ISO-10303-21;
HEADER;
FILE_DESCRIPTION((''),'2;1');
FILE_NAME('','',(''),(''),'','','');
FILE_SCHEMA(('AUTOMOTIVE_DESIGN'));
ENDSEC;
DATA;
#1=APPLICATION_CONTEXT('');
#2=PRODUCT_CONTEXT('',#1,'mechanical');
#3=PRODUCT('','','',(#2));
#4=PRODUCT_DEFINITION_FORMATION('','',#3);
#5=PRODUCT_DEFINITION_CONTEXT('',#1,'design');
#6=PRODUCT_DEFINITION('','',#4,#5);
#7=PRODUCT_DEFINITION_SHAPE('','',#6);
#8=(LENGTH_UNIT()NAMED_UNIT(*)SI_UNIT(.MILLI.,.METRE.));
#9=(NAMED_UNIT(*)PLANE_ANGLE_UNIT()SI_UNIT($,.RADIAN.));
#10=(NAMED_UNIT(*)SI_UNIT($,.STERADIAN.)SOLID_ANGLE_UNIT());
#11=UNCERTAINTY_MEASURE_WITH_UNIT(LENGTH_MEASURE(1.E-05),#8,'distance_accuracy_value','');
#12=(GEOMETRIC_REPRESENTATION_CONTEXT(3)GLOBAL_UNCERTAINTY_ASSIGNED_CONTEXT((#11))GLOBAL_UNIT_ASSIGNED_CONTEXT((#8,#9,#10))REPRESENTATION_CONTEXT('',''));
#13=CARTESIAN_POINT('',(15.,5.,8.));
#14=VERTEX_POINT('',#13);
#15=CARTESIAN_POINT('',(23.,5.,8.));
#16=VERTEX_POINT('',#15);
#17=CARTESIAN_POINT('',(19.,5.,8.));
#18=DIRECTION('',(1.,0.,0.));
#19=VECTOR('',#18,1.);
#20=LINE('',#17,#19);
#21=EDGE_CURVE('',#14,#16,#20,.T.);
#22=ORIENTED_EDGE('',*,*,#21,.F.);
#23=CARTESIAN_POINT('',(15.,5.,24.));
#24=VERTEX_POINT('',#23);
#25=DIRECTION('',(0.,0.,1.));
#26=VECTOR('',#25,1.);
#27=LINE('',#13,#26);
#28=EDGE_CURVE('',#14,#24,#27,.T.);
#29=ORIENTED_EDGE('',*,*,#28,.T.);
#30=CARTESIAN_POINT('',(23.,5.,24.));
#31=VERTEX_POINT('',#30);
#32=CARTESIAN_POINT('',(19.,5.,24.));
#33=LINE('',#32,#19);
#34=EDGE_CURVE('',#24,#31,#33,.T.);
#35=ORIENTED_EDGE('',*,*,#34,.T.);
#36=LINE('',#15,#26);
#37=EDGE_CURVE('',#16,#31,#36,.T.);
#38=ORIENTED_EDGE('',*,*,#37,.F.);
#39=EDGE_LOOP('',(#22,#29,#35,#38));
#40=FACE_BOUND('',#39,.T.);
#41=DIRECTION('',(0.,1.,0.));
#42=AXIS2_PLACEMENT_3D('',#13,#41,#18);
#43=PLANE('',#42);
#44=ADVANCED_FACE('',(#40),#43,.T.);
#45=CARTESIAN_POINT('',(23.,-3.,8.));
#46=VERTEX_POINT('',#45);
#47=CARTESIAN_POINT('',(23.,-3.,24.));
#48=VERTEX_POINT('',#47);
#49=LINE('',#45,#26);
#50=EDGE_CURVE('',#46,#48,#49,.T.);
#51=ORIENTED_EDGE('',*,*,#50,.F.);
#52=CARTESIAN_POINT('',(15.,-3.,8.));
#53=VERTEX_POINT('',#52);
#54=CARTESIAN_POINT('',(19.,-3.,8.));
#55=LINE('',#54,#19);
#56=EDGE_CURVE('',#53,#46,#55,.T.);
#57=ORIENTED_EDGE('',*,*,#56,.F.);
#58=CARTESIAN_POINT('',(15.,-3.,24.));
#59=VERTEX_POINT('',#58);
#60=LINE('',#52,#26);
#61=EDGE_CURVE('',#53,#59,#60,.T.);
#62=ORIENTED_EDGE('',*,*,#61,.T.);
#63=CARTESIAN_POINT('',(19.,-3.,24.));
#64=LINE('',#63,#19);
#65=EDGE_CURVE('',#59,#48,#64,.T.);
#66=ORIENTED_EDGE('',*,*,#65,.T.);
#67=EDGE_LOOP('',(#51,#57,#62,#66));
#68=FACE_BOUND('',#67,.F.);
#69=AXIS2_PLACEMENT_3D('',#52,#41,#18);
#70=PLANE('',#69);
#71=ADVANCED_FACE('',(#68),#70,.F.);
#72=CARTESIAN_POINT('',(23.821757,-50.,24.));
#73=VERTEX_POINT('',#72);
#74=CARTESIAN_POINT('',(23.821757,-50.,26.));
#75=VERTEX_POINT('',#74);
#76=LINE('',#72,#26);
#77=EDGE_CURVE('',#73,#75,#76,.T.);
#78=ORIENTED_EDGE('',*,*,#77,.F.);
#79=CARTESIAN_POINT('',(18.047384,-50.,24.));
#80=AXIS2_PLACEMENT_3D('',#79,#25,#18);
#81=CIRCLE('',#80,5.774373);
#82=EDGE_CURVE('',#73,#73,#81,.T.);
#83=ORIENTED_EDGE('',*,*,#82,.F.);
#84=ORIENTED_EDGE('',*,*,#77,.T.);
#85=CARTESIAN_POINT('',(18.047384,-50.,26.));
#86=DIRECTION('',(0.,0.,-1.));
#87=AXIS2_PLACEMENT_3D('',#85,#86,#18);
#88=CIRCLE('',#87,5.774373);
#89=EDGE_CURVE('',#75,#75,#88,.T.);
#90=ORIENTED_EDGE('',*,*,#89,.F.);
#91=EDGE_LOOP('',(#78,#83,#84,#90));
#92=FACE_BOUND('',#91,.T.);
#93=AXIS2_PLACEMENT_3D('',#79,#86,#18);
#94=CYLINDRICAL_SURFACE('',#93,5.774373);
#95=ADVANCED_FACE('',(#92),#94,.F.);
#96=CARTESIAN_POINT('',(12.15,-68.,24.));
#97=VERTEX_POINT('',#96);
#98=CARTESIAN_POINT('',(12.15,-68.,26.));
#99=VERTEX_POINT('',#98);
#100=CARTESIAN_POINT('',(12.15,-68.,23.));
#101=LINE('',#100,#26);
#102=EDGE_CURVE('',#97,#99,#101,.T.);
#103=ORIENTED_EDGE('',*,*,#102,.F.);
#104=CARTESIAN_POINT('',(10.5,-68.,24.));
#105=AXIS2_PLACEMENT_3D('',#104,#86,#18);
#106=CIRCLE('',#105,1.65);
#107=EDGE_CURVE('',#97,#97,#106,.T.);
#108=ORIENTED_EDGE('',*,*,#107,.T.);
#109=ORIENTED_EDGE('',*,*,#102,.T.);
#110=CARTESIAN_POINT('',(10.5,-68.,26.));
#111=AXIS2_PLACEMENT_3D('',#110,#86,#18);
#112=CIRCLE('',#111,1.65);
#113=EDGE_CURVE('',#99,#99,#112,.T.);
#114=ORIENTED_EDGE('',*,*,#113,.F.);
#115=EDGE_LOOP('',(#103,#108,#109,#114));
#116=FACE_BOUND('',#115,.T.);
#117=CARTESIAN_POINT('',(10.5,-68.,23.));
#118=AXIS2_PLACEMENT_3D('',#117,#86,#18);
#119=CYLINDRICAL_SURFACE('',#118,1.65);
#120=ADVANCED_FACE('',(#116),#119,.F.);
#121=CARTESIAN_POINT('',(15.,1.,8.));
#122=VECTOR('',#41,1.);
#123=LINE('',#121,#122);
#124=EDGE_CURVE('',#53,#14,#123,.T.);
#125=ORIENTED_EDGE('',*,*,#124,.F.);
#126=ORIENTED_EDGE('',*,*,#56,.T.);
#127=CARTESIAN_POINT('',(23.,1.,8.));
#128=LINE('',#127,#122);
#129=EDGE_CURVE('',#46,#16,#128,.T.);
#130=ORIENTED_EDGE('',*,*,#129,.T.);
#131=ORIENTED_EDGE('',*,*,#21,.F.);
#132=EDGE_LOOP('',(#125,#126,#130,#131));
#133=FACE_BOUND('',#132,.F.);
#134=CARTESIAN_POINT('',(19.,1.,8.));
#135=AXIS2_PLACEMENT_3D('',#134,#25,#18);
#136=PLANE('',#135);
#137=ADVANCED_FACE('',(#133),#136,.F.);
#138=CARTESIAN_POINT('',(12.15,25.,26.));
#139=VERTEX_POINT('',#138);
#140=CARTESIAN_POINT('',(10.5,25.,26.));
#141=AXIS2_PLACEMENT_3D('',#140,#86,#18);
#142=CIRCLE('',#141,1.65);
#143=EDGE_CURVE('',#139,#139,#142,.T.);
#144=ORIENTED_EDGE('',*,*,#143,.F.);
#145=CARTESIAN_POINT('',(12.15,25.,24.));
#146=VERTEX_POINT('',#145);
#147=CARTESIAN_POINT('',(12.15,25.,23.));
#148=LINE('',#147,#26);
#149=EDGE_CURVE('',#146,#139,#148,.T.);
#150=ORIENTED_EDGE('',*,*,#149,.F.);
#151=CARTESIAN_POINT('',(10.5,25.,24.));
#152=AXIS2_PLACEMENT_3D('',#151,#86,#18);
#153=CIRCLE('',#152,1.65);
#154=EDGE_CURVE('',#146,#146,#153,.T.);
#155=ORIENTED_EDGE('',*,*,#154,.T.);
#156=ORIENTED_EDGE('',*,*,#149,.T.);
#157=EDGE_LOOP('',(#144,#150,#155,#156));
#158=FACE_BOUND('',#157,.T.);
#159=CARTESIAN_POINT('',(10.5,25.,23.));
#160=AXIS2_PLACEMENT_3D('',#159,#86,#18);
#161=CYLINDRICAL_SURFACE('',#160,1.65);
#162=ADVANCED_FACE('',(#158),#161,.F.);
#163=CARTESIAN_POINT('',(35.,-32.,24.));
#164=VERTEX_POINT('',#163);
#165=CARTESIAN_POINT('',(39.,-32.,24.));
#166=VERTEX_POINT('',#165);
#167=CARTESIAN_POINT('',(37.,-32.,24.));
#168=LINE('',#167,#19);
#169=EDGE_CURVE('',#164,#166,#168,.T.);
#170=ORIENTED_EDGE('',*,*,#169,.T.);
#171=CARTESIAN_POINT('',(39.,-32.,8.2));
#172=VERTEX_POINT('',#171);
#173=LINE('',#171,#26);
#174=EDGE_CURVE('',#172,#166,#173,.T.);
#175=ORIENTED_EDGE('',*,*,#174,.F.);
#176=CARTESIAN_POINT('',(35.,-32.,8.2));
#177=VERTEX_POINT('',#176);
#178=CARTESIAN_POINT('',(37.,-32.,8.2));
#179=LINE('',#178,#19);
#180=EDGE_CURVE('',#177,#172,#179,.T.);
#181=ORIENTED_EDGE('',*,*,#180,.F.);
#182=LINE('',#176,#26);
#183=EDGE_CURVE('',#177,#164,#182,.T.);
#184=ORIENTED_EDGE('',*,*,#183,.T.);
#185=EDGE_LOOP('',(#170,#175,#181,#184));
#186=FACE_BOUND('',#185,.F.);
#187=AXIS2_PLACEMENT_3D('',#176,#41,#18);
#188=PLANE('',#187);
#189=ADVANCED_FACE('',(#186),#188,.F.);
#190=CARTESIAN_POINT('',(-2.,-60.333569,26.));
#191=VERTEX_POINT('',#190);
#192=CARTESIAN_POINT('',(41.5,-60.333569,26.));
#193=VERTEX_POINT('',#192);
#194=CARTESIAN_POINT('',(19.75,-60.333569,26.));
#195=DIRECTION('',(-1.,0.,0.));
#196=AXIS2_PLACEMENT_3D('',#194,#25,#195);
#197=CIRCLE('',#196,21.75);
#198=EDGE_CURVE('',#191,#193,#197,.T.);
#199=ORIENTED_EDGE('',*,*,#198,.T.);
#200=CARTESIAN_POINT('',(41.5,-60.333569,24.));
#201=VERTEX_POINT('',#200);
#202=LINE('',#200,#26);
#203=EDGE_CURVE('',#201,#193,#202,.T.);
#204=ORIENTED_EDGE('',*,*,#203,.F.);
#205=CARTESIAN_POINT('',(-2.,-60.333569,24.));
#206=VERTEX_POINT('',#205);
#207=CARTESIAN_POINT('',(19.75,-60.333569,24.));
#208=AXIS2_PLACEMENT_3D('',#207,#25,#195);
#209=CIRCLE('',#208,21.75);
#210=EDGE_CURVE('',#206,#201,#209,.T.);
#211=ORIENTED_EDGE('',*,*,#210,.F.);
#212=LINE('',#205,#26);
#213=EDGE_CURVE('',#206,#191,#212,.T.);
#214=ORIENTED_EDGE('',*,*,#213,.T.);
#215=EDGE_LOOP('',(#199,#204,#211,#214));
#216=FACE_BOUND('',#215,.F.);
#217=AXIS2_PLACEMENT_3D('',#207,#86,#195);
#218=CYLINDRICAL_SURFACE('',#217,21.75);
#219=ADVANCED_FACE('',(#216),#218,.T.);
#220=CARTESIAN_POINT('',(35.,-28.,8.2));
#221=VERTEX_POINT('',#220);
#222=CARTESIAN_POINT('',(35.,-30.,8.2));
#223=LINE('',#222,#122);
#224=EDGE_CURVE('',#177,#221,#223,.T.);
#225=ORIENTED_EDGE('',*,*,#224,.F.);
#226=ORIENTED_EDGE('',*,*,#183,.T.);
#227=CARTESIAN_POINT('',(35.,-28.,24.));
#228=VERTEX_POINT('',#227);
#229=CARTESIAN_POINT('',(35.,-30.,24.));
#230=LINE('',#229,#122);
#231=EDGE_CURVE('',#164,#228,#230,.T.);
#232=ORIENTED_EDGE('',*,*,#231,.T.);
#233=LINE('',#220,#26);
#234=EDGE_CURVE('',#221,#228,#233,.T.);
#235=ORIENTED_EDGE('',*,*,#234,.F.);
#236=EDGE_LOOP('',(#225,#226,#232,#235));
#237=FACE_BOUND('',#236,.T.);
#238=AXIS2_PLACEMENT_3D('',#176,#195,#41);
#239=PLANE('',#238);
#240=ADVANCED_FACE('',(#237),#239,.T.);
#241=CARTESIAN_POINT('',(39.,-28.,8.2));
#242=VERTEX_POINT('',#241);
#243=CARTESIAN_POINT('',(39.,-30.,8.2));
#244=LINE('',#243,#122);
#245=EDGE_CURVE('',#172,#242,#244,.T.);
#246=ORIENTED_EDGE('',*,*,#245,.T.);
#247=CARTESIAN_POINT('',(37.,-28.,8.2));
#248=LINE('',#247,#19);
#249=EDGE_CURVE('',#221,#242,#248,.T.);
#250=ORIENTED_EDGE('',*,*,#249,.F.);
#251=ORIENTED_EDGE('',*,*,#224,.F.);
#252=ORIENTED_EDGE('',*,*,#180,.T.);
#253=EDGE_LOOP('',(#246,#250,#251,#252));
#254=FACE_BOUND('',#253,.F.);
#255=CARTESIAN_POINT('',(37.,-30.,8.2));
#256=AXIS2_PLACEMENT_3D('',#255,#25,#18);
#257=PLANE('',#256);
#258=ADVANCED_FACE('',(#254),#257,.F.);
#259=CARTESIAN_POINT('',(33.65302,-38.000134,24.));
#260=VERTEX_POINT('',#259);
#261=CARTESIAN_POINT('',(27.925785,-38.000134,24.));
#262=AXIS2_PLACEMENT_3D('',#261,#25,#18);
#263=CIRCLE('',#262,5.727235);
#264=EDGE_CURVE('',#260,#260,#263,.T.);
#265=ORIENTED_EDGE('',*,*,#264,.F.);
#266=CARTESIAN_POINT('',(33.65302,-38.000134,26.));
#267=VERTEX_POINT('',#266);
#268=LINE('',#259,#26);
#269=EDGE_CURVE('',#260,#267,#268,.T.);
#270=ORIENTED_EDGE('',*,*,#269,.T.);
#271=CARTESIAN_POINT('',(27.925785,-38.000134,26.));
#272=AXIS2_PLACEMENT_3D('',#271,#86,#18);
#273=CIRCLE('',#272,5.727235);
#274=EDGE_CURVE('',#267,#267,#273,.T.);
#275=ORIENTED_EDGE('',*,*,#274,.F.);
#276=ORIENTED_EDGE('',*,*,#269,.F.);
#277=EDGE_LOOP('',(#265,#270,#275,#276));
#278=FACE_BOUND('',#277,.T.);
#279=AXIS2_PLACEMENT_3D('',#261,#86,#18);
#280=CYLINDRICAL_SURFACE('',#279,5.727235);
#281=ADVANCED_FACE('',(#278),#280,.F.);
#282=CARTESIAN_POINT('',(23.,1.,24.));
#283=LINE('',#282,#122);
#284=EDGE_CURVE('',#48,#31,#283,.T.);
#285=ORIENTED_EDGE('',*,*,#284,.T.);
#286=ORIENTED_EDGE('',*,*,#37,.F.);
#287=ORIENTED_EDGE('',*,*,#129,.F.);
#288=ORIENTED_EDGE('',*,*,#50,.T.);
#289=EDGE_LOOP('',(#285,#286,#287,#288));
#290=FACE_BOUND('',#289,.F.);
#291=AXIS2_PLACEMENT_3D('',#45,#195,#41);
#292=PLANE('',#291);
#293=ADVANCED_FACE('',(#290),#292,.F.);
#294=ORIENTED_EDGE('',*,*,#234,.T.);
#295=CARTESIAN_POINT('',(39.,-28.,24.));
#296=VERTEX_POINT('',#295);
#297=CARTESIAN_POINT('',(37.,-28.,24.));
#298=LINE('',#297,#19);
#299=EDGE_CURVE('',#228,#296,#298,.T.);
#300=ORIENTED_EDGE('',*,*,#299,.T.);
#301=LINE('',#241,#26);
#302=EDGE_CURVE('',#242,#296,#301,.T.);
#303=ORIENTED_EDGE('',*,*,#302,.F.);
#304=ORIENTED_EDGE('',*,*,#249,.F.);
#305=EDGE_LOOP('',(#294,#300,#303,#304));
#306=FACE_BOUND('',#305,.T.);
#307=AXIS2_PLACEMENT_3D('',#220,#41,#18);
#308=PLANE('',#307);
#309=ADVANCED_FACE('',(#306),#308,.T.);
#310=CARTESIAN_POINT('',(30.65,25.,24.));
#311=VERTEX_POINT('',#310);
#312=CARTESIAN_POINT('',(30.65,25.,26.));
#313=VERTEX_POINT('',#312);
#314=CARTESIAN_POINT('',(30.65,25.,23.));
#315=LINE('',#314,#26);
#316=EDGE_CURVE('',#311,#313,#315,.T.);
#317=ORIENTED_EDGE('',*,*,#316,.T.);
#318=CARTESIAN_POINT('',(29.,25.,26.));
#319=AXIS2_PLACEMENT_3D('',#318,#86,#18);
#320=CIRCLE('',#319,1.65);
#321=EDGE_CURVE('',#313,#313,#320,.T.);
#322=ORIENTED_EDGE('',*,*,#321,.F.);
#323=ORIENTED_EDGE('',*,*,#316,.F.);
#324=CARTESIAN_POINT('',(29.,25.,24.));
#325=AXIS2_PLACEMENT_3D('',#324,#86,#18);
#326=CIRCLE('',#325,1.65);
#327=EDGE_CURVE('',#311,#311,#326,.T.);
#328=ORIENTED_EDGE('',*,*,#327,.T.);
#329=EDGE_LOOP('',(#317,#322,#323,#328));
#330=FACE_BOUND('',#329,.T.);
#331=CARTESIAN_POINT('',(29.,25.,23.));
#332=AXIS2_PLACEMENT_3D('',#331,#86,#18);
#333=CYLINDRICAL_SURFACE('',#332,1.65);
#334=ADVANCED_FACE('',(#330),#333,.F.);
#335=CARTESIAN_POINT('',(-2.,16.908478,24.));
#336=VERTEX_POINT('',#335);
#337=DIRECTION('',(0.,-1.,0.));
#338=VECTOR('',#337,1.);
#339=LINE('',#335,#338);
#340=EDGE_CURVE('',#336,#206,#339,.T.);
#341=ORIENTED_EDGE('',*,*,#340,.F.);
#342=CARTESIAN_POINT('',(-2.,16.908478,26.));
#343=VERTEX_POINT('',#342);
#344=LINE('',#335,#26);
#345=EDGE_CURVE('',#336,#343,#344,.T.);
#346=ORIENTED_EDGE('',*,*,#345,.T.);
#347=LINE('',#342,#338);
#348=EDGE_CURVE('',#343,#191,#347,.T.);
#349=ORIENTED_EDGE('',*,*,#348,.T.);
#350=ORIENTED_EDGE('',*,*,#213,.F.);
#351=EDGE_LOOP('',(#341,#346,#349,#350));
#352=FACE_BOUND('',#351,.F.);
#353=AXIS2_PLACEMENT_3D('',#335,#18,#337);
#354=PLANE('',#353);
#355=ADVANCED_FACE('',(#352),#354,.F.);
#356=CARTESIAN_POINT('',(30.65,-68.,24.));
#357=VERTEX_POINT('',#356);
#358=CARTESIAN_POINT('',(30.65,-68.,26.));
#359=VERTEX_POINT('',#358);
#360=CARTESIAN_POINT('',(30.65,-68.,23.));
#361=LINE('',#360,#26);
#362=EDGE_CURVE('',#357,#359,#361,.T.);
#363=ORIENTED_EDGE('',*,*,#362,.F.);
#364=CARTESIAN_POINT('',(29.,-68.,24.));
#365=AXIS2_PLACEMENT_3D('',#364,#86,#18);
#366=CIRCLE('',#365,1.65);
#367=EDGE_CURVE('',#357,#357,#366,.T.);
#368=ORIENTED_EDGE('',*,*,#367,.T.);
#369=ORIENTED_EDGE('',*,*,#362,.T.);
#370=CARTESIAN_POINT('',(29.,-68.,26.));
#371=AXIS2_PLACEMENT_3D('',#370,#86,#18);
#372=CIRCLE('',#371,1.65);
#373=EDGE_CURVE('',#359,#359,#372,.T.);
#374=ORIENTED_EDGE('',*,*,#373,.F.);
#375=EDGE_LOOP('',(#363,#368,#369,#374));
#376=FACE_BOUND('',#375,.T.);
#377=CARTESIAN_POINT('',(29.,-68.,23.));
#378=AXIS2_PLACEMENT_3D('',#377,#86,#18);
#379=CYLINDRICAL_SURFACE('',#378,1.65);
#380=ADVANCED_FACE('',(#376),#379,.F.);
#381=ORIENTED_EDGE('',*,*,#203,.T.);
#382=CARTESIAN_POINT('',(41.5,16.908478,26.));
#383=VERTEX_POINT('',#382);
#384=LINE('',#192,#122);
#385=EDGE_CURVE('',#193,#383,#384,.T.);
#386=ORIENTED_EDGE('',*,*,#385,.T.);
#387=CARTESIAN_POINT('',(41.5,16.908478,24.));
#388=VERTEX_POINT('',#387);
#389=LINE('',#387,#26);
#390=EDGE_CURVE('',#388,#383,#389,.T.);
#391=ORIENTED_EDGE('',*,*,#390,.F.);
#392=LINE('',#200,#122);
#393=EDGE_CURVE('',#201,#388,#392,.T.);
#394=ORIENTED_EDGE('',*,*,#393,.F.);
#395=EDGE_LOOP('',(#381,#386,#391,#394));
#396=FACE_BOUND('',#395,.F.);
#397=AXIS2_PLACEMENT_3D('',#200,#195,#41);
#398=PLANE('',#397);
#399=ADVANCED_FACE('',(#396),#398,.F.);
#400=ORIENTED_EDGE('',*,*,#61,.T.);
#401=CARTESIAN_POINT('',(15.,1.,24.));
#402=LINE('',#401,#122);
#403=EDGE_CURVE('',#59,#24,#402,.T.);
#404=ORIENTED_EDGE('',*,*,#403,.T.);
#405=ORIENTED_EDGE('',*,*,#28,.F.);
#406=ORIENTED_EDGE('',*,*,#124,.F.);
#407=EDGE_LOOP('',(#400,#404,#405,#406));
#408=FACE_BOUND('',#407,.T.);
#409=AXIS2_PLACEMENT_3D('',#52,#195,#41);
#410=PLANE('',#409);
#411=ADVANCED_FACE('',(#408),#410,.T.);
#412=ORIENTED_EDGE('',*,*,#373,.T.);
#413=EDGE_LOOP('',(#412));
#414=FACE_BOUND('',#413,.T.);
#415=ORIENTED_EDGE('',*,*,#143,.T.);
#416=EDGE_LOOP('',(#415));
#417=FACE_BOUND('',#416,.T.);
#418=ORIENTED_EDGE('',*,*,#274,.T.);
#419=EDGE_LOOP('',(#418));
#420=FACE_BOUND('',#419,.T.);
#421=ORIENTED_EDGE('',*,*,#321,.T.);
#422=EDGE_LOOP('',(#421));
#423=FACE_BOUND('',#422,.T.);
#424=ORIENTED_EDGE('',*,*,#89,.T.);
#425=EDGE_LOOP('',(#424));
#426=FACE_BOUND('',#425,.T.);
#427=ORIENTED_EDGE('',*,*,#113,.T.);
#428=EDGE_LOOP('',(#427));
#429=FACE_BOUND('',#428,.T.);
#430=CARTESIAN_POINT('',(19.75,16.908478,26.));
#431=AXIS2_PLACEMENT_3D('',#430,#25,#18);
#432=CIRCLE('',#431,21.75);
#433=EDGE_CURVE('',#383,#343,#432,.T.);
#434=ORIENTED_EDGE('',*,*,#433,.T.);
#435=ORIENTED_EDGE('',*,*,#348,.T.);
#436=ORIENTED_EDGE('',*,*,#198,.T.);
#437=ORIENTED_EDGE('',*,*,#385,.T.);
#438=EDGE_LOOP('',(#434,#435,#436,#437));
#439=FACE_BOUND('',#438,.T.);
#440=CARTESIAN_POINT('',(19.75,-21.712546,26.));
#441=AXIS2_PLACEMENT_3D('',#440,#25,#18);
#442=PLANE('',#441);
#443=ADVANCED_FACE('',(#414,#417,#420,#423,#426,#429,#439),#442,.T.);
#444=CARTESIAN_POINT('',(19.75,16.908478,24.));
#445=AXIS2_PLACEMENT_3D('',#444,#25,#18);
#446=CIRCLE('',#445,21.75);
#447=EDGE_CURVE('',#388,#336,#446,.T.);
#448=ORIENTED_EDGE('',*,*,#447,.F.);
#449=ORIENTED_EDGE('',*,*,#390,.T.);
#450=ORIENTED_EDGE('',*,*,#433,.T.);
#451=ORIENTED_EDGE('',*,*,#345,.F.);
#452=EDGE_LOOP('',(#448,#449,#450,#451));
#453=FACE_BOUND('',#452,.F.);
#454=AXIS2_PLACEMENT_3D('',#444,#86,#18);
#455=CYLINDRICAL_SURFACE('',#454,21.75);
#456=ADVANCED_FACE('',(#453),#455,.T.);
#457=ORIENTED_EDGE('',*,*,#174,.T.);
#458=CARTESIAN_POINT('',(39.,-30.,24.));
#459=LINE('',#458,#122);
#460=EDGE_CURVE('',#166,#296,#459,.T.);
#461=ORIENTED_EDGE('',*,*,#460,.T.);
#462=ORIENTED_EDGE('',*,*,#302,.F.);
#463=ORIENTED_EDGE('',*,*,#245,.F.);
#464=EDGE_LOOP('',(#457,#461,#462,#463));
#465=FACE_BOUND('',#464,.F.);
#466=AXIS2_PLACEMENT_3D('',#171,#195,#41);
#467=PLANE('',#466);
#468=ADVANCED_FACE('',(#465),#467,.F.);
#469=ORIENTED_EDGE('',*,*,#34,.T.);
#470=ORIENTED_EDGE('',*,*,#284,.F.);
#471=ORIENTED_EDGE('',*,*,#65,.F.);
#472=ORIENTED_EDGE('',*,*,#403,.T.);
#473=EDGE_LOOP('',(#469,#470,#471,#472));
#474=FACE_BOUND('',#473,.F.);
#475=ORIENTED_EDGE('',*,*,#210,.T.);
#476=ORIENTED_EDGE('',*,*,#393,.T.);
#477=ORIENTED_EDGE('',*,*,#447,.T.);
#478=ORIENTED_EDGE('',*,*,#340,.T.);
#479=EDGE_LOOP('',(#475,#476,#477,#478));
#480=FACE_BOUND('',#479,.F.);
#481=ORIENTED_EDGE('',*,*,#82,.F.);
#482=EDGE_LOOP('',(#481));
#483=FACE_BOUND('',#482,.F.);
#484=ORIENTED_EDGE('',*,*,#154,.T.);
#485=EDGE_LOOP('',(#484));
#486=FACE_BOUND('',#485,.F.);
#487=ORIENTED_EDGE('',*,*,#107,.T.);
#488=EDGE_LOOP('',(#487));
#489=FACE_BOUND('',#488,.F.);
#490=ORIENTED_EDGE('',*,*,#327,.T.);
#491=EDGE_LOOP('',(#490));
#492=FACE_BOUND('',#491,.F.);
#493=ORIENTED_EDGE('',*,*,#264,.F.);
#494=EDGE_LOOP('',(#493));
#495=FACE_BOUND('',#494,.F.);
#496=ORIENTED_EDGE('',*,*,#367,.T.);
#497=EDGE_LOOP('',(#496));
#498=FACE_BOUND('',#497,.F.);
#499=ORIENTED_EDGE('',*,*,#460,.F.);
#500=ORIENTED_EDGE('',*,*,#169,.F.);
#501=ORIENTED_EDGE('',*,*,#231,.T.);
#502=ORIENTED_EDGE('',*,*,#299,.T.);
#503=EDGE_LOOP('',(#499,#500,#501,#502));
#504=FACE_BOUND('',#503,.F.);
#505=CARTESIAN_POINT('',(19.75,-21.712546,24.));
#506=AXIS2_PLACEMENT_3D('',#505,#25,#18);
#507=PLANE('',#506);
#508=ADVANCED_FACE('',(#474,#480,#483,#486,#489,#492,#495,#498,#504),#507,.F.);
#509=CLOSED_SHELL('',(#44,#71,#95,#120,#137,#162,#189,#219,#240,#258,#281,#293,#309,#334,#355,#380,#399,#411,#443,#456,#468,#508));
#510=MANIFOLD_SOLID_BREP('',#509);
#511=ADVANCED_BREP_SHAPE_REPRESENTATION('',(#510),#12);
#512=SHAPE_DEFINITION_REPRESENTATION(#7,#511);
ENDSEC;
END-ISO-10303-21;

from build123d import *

# Parameters (mm, degrees)
BOX026_W          = 4
BOX026_H          = 4
BOX026_DEPTH      = 15.8
BOX032_W          = 8
BOX032_H          = 8
BOX032_DEPTH      = 16
CYLINDER007_R     = 1.65
CYLINDER007_DEPTH = 6
SKETCH002_R       = 5.774373
SKETCH002_R_2     = 5.727235
EXTRUDE002_DEPTH  = 5
EXTRUDE004_DEPTH  = 2


with BuildPart() as spacer002:
    # Box026 → Box026 (new body)
    with BuildSketch(Plane(origin=(35, -32, 8.2), x_dir=(1, 0, 0), z_dir=(0, 0, 1))):
        with Locations((2, 2)):
            Rectangle(BOX026_W, BOX026_H)
    extrude(amount=BOX026_DEPTH)


with BuildPart() as spacer003:
    # Box032 → Box032 (new body)
    with BuildSketch(Plane(origin=(15, -3, 8), x_dir=(1, 0, 0), z_dir=(0, 0, 1))):
        with Locations((4, 4)):
            Rectangle(BOX032_W, BOX032_H)
    extrude(amount=BOX032_DEPTH)


with BuildPart() as hole006:
    # Cylinder007 → Cylinder007 (new body)
    with BuildSketch(Plane(origin=(10.5, 25, 23), x_dir=(1, 0, 0), z_dir=(0, 0, 1))):
        Circle(CYLINDER007_R)
    extrude(amount=CYLINDER007_DEPTH)


with BuildPart() as hole007:
    # Clone014 base: copy of hole006
    add(hole006.part)


with BuildPart() as hole007_1:
    # Clone014 placement: moved
    add(hole007.part.moved(Location((18.5, 0, 0))))


with BuildPart() as hole008:
    # Clone015 base: copy of hole007
    add(hole007_1.part)


with BuildPart() as hole008_1:
    # Clone015 placement: moved
    add(hole008.part.moved(Location((-18.5, -93, 0))))


with BuildPart() as hole009:
    # Clone016 base: copy of hole008
    add(hole008_1.part)


with BuildPart() as hole009_1:
    # Clone016 placement: moved
    add(hole009.part.moved(Location((18.5, 0, 0))))


with BuildPart() as knobholes001:
    # Sketch002 → Extrude002 (new body)
    with BuildSketch(Plane(origin=(11, -50, 24), x_dir=(1, 0, 0), z_dir=(0, 0, 1))):
        with Locations((7.047384, 0)):
            Circle(SKETCH002_R)
        with Locations((16.925785, 11.999866)):
            Circle(SKETCH002_R_2)
    extrude(amount=EXTRUDE002_DEPTH)


with BuildPart() as fusion005:
    # Fusion005 base: copy of hole006
    add(hole006.part)

    # Fusion005: union hole007, hole008, hole009, knobHoles001
    add(hole007_1.part)
    add(hole008_1.part)
    add(hole009_1.part)
    add(knobholes001.part)


with BuildPart() as lid003:
    # Clone2D → Extrude004 (new body)
    with BuildSketch(Plane(origin=(0, -60, 24), x_dir=(1, 0, 0), z_dir=(0, 0, 1))):
        with BuildLine():
            ThreePointArc((41.5, 76.908478), (19.75, 98.658478), (-2, 76.908478))
            Line((-2, 76.908478), (-2, -0.333569))
            ThreePointArc((-2, -0.333569), (19.75, -22.083569), (41.5, -0.333569))
            Line((41.5, -0.333569), (41.5, 76.908478))
        make_face()
    extrude(amount=EXTRUDE004_DEPTH)

    # Cut004: cut Fusion005
    add(fusion005.part, mode=Mode.SUBTRACT)

    # Fusion006: union spacer002, spacer003
    add(spacer002.part)
    add(spacer003.part)


solid = lid003.part
